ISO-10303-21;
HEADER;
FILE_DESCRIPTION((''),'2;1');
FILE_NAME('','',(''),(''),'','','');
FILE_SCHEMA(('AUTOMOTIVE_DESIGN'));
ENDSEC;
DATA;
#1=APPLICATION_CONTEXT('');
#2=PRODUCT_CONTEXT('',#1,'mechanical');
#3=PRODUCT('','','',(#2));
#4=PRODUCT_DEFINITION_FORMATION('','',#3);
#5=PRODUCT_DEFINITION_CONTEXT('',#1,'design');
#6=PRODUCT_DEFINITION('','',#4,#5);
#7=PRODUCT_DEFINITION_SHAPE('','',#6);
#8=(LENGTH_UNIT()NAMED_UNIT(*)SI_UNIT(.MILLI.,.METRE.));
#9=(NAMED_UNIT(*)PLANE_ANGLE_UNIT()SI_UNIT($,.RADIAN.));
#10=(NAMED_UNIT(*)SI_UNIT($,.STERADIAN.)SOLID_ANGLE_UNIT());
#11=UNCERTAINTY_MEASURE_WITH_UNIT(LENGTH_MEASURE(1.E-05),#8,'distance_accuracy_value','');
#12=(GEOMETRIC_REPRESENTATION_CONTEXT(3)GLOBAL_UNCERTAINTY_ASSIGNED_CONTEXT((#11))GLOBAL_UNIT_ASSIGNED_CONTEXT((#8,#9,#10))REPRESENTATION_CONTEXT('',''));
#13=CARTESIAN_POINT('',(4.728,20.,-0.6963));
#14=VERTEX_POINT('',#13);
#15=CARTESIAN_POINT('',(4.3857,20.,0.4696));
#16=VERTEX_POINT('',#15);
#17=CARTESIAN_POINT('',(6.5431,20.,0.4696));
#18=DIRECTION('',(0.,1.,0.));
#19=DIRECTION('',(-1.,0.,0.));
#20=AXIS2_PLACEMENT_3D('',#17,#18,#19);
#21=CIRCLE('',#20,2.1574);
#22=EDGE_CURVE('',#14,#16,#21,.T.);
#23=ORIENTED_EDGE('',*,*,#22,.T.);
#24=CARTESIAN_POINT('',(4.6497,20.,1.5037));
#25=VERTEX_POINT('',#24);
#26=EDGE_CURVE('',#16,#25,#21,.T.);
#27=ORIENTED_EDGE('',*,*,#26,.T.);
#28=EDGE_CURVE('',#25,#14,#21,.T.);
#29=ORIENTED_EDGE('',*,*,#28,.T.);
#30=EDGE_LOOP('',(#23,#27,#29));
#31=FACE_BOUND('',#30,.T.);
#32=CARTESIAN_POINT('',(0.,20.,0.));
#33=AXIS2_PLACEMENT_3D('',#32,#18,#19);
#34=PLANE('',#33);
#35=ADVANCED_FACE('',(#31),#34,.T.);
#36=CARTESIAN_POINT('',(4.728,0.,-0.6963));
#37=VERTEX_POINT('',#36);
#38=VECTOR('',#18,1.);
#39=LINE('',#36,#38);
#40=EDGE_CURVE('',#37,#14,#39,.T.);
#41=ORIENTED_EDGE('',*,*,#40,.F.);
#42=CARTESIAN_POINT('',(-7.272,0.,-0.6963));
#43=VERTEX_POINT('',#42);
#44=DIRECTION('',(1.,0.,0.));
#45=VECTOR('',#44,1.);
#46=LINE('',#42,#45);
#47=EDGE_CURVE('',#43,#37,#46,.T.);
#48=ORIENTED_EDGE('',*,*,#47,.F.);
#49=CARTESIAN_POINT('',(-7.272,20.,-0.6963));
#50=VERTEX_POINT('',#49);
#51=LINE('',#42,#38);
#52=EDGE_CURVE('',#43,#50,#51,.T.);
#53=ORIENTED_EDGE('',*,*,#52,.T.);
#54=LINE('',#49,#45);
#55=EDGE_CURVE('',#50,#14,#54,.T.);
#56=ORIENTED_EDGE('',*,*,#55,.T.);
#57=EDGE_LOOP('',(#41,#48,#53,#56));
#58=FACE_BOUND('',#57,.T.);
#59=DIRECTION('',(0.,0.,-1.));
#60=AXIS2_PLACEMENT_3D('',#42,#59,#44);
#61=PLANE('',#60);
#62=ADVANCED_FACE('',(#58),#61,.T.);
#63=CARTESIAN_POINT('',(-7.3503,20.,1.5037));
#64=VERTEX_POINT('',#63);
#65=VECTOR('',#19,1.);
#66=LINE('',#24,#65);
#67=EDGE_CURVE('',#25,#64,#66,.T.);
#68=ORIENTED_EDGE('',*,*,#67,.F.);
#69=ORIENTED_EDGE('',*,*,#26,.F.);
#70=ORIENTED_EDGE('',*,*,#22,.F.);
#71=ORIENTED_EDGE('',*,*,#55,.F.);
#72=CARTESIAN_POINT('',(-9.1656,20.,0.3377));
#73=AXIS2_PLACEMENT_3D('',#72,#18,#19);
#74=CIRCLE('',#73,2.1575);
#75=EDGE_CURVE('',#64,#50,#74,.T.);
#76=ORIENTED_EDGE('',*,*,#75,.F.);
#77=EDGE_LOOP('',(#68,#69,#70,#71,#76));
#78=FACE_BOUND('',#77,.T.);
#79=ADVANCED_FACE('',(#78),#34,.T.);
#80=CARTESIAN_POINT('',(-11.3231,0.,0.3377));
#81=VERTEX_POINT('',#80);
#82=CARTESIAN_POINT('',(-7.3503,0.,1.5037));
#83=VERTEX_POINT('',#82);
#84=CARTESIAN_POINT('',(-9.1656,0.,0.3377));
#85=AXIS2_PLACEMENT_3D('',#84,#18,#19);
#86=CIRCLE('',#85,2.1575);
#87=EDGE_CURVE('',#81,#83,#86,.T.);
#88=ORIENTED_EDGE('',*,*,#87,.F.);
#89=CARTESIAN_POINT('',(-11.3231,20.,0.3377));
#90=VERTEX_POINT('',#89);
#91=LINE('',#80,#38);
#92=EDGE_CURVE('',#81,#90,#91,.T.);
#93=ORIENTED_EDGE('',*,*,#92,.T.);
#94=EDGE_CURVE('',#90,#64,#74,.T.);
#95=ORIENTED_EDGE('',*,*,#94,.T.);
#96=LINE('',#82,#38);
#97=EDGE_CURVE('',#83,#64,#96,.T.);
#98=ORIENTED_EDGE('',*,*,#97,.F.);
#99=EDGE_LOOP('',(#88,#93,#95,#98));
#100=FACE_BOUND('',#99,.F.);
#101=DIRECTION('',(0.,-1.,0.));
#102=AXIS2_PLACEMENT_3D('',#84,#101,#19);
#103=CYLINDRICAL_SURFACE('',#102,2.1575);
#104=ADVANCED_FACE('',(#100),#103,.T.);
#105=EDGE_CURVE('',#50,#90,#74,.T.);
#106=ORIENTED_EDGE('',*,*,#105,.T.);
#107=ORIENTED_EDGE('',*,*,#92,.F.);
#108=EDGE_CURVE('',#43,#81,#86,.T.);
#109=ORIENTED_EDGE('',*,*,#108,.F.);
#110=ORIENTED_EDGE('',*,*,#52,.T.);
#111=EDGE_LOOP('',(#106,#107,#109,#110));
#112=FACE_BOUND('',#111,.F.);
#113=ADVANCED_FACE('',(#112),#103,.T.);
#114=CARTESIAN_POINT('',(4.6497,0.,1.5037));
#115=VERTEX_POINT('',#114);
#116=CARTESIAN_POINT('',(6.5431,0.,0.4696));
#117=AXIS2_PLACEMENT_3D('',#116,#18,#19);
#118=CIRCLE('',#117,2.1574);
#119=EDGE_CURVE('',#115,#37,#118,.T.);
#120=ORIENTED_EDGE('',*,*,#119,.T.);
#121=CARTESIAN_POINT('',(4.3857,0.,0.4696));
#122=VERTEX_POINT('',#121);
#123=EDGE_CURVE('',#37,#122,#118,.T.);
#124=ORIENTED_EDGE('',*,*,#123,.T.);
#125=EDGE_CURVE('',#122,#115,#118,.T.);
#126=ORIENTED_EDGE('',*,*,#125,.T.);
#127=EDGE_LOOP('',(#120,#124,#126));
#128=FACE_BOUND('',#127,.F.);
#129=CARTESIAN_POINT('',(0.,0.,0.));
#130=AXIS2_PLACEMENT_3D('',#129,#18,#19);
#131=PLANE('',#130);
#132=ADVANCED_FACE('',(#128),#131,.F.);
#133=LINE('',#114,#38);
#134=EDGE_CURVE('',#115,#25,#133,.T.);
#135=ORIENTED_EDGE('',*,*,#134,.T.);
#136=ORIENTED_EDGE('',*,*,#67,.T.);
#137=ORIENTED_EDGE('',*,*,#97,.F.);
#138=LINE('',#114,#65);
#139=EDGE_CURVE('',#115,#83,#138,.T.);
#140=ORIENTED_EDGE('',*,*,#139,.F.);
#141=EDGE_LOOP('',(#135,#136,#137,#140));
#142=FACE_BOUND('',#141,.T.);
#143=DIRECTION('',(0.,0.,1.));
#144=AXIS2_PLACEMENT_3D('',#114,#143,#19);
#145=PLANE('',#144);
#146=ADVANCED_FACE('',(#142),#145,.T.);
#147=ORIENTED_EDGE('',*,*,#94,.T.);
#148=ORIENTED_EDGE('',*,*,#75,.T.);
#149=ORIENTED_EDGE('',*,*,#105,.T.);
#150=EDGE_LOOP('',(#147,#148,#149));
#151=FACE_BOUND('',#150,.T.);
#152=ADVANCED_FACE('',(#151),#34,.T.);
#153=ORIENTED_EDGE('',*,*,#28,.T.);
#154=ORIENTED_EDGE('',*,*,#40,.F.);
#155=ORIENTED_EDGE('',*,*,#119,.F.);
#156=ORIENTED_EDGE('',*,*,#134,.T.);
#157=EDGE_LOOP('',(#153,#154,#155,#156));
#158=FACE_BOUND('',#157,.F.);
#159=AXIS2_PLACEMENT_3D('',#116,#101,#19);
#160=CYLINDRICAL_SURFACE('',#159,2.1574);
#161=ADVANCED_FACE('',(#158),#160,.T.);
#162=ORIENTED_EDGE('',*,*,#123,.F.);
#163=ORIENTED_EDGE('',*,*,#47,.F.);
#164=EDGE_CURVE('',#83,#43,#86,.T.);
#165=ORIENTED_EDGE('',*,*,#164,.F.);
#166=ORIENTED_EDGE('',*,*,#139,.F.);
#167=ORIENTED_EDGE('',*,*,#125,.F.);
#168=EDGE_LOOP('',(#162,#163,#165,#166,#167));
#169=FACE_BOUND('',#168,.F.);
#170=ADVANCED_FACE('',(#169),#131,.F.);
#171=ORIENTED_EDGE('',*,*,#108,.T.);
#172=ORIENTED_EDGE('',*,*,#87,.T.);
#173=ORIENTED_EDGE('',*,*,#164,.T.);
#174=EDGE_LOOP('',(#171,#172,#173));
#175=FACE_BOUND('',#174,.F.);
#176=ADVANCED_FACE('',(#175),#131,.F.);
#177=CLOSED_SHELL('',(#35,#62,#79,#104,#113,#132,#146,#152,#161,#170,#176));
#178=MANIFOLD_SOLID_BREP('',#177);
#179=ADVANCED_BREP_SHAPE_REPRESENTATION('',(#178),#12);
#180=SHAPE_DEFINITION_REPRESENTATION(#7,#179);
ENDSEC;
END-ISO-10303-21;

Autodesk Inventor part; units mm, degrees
ref_plane "YZ Plane" through (0, 0, 0) normal (1, 0, 0) x (0, 1, 0)
ref_plane "XZ Plane" through (0, 0, 0) normal (0, 1, 0) x (-1, 0, 0)
ref_plane "XY Plane" through (0, 0, 0) normal (0, 0, 1) x (1, 0, 0)
sketch "Sketch1" plane through (0, 0, 0) normal (0, 1, 0) x (-1, 0, 0)
  circle A0 centre (-6.5431, 0.4696) radius 2.1574
  line L0 (-4.6497, 1.5037) -> (7.3503, 1.5037)
  line L1 (7.272, -0.6963) -> (-4.728, -0.6963)
  circle A1 centre (9.1656, 0.3377) radius 2.1575
  point P0 (0, 0)
  point P1 (0, 0)
  point P2 (0, 0)
  dimension "d0" = 4.3147
  dimension "d2" = 12
  dimension "d3" = 4.315
  dimension "d8" = 2.2
  dimension "d9" = 12
extrude "Extrusion1" add sketch "Sketch1" along normal blind 20
properties part number "7"
